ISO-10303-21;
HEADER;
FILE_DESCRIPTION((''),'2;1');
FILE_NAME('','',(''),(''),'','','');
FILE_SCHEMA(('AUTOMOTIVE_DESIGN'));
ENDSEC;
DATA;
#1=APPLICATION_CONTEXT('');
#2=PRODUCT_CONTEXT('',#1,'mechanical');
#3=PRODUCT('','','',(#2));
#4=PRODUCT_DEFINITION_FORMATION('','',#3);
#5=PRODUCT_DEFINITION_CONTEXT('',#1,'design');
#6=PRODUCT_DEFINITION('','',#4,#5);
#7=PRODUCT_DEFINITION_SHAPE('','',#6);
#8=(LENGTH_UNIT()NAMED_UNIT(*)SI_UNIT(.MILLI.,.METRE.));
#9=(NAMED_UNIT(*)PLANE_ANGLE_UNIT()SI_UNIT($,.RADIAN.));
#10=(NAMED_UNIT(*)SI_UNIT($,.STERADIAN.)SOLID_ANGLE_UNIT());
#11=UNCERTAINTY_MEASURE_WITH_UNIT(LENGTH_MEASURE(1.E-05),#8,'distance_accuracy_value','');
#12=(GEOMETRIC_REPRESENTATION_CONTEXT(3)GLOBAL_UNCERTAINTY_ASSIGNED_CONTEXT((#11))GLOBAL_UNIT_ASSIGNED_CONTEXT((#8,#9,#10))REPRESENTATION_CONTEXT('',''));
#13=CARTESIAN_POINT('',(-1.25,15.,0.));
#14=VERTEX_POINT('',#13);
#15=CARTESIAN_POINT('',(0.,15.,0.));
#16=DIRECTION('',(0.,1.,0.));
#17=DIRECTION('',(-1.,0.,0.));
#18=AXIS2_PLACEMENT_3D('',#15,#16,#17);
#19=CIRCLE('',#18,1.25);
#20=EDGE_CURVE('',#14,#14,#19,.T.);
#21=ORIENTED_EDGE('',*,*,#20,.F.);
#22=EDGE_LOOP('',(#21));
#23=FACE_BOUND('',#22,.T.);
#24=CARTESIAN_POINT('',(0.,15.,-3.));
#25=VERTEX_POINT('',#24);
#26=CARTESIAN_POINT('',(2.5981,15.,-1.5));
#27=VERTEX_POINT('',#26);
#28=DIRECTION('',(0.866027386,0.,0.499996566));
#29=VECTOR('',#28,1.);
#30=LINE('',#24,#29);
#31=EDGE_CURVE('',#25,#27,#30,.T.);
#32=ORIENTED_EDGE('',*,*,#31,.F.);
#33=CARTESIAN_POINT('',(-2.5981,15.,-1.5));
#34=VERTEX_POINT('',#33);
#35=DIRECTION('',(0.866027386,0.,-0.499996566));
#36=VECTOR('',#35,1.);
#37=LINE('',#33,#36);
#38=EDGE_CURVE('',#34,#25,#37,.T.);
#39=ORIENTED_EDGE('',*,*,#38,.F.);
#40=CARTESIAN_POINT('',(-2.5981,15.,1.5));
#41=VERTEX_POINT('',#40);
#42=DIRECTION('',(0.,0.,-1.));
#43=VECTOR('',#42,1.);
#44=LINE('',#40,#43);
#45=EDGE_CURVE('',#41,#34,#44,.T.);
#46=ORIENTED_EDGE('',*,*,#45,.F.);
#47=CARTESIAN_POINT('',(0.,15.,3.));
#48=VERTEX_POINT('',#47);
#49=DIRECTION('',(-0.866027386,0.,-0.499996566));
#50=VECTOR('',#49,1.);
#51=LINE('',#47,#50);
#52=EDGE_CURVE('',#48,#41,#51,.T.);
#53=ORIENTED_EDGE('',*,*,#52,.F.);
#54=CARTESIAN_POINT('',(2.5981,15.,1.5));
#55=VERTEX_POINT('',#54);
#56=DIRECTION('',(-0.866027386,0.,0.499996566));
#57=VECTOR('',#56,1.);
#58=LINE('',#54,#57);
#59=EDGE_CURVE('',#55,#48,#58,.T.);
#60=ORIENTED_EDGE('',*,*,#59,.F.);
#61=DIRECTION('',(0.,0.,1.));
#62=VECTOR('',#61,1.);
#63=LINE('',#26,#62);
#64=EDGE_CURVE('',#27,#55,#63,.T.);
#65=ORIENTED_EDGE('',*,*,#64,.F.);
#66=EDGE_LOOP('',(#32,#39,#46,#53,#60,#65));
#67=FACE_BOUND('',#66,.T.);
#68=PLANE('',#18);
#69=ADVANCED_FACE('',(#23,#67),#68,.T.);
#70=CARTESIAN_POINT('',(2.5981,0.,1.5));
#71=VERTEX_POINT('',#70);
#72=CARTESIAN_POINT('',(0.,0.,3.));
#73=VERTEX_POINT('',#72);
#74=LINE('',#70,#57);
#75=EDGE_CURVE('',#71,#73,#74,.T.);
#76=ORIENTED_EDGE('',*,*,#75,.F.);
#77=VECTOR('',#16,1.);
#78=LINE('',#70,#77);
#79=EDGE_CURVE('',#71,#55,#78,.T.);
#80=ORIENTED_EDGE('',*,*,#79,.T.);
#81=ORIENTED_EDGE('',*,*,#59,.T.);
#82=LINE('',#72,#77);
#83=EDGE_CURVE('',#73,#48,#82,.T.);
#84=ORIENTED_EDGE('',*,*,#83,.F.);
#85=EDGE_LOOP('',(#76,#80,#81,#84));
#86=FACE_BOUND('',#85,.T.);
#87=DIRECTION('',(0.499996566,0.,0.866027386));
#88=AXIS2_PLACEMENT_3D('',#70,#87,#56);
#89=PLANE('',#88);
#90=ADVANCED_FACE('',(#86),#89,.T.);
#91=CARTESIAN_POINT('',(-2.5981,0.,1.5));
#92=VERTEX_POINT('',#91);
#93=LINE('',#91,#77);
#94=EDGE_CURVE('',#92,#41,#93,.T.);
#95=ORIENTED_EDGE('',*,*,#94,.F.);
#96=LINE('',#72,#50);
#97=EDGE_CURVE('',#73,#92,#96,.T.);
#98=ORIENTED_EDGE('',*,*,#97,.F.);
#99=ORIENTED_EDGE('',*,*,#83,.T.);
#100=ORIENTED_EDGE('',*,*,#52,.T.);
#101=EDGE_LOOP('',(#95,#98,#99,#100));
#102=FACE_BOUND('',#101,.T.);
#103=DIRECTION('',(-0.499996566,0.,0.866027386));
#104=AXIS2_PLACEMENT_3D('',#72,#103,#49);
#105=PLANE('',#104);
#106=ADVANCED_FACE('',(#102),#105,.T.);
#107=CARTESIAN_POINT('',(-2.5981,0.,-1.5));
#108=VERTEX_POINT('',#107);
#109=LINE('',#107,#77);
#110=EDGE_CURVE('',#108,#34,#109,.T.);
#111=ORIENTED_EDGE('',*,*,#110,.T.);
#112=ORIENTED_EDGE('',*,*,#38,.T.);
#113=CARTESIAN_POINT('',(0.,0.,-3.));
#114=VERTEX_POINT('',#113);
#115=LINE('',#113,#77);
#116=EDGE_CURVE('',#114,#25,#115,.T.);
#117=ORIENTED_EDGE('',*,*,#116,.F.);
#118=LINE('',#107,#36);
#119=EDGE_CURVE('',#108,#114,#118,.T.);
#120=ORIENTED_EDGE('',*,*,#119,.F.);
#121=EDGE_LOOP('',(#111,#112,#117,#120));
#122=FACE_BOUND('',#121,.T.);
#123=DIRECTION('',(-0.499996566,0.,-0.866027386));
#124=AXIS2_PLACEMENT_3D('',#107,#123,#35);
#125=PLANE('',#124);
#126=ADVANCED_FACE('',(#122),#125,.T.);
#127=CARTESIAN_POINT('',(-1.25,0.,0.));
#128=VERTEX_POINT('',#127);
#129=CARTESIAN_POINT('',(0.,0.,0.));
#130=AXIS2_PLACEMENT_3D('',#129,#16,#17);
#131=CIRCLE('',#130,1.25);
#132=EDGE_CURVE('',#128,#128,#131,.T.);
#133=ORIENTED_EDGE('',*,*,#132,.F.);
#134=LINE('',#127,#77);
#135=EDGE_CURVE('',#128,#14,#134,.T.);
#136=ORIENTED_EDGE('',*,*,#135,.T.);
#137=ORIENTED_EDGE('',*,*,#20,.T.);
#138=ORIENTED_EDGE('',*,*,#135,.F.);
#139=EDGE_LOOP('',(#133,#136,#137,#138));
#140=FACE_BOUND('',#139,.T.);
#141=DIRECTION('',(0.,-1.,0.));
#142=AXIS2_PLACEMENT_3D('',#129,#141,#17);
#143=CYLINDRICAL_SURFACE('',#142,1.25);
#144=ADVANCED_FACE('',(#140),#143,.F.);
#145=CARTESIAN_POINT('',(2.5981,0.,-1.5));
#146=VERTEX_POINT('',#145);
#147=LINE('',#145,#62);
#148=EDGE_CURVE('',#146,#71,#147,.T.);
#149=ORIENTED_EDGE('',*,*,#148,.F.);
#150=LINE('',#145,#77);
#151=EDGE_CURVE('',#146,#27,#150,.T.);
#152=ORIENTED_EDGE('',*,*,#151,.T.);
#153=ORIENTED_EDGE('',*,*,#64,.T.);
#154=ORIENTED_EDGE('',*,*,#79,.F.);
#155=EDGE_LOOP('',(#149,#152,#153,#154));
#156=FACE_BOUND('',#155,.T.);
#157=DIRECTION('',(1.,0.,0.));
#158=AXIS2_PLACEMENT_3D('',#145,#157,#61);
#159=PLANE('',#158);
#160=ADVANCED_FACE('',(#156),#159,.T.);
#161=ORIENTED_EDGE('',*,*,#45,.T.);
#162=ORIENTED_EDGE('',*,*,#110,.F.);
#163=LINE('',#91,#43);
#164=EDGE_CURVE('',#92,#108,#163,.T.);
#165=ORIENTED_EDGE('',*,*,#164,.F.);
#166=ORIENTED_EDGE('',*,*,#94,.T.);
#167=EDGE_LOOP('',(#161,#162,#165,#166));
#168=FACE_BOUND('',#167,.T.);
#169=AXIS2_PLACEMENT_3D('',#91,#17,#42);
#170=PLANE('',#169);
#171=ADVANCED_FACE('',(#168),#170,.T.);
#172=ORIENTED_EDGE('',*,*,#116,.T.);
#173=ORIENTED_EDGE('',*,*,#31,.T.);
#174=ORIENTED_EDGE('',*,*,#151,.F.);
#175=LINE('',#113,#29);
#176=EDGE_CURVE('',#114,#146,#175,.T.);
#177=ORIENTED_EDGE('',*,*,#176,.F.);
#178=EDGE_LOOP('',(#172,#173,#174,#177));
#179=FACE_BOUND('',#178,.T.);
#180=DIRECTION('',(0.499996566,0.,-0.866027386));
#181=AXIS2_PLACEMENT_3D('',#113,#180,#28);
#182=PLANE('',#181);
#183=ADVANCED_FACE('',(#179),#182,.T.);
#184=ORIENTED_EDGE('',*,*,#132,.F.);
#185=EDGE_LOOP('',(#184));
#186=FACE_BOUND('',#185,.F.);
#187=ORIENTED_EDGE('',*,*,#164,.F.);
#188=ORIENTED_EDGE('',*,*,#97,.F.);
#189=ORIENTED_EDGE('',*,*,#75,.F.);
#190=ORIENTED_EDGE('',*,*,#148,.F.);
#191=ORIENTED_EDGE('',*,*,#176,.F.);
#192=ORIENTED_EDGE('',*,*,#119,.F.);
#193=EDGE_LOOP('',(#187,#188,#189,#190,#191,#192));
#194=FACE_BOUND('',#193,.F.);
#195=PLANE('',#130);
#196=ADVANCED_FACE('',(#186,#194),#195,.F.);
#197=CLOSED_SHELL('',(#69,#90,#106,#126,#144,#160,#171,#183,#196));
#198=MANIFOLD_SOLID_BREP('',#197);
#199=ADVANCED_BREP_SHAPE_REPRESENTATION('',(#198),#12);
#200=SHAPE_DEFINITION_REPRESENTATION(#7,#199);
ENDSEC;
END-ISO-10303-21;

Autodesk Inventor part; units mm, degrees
ref_plane "YZ Plane" through (0, 0, 0) normal (1, 0, 0) x (0, 1, 0)
ref_plane "XZ Plane" through (0, 0, 0) normal (0, 1, 0) x (-1, 0, 0)
ref_plane "XY Plane" through (0, 0, 0) normal (0, 0, 1) x (1, 0, 0)
sketch "Sketch1" plane through (0, 0, 0) normal (0, 1, 0) x (-1, 0, 0)
  circle A0 centre (0, 0) radius 1.25
  line L0 (0, -3) -> (-2.5981, -1.5)
  line L1 (-2.5981, -1.5) -> (-2.5981, 1.5)
  line L2 (-2.5981, 1.5) -> (0, 3)
  line L3 (0, 3) -> (2.5981, 1.5)
  line L4 (2.5981, 1.5) -> (2.5981, -1.5)
  line L5 (2.5981, -1.5) -> (0, -3)
  circle A1 centre (0, 0) radius 3
  dimension "d0" = 2.5
  dimension "d12" = 6
extrude "Extrusion1" add sketch "Sketch1" along normal blind 15 contours L0 L1 L2 L3 L4 L5
sketch "Sketch2" plane through (0, 0, 0) normal (1, 0, 0) x (0, 1, 0)
  line L0 (15.9, -0.8603) -> (15.675, -1.25)
  line L1 (15.675, -1.25) -> (15.45, -0.8603)
  line L2 (15.45, -0.8603) -> (15.9, -0.8603)
  line L3 (15, 1.25) -> (15, -1.25) projected
  line L4 (15, 1.25) -> (15, -1.25) projected
  line L5 (0, 1.25) -> (0, -1.25) projected
  line L6 (15, 1.5) -> (15, -1.5) projected
  line L7 (15, 0) -> (16, 0)
  point P0 (0, 0)
  dimension "d4" = 60
  dimension "d5" = 60
  dimension "d6" = 0.45
  dimension "d7" = 1
  dimension "d8" = 1.25
  dimension "d11" = 0.45
sketch "Sketch3" plane through (0, 15, 0) normal (0, 1, 0) x (1, 0, 0)
  circle A0 centre (0, 0) radius 3 projected
equation "\"d6\" = d11"
properties part number "testtt"
